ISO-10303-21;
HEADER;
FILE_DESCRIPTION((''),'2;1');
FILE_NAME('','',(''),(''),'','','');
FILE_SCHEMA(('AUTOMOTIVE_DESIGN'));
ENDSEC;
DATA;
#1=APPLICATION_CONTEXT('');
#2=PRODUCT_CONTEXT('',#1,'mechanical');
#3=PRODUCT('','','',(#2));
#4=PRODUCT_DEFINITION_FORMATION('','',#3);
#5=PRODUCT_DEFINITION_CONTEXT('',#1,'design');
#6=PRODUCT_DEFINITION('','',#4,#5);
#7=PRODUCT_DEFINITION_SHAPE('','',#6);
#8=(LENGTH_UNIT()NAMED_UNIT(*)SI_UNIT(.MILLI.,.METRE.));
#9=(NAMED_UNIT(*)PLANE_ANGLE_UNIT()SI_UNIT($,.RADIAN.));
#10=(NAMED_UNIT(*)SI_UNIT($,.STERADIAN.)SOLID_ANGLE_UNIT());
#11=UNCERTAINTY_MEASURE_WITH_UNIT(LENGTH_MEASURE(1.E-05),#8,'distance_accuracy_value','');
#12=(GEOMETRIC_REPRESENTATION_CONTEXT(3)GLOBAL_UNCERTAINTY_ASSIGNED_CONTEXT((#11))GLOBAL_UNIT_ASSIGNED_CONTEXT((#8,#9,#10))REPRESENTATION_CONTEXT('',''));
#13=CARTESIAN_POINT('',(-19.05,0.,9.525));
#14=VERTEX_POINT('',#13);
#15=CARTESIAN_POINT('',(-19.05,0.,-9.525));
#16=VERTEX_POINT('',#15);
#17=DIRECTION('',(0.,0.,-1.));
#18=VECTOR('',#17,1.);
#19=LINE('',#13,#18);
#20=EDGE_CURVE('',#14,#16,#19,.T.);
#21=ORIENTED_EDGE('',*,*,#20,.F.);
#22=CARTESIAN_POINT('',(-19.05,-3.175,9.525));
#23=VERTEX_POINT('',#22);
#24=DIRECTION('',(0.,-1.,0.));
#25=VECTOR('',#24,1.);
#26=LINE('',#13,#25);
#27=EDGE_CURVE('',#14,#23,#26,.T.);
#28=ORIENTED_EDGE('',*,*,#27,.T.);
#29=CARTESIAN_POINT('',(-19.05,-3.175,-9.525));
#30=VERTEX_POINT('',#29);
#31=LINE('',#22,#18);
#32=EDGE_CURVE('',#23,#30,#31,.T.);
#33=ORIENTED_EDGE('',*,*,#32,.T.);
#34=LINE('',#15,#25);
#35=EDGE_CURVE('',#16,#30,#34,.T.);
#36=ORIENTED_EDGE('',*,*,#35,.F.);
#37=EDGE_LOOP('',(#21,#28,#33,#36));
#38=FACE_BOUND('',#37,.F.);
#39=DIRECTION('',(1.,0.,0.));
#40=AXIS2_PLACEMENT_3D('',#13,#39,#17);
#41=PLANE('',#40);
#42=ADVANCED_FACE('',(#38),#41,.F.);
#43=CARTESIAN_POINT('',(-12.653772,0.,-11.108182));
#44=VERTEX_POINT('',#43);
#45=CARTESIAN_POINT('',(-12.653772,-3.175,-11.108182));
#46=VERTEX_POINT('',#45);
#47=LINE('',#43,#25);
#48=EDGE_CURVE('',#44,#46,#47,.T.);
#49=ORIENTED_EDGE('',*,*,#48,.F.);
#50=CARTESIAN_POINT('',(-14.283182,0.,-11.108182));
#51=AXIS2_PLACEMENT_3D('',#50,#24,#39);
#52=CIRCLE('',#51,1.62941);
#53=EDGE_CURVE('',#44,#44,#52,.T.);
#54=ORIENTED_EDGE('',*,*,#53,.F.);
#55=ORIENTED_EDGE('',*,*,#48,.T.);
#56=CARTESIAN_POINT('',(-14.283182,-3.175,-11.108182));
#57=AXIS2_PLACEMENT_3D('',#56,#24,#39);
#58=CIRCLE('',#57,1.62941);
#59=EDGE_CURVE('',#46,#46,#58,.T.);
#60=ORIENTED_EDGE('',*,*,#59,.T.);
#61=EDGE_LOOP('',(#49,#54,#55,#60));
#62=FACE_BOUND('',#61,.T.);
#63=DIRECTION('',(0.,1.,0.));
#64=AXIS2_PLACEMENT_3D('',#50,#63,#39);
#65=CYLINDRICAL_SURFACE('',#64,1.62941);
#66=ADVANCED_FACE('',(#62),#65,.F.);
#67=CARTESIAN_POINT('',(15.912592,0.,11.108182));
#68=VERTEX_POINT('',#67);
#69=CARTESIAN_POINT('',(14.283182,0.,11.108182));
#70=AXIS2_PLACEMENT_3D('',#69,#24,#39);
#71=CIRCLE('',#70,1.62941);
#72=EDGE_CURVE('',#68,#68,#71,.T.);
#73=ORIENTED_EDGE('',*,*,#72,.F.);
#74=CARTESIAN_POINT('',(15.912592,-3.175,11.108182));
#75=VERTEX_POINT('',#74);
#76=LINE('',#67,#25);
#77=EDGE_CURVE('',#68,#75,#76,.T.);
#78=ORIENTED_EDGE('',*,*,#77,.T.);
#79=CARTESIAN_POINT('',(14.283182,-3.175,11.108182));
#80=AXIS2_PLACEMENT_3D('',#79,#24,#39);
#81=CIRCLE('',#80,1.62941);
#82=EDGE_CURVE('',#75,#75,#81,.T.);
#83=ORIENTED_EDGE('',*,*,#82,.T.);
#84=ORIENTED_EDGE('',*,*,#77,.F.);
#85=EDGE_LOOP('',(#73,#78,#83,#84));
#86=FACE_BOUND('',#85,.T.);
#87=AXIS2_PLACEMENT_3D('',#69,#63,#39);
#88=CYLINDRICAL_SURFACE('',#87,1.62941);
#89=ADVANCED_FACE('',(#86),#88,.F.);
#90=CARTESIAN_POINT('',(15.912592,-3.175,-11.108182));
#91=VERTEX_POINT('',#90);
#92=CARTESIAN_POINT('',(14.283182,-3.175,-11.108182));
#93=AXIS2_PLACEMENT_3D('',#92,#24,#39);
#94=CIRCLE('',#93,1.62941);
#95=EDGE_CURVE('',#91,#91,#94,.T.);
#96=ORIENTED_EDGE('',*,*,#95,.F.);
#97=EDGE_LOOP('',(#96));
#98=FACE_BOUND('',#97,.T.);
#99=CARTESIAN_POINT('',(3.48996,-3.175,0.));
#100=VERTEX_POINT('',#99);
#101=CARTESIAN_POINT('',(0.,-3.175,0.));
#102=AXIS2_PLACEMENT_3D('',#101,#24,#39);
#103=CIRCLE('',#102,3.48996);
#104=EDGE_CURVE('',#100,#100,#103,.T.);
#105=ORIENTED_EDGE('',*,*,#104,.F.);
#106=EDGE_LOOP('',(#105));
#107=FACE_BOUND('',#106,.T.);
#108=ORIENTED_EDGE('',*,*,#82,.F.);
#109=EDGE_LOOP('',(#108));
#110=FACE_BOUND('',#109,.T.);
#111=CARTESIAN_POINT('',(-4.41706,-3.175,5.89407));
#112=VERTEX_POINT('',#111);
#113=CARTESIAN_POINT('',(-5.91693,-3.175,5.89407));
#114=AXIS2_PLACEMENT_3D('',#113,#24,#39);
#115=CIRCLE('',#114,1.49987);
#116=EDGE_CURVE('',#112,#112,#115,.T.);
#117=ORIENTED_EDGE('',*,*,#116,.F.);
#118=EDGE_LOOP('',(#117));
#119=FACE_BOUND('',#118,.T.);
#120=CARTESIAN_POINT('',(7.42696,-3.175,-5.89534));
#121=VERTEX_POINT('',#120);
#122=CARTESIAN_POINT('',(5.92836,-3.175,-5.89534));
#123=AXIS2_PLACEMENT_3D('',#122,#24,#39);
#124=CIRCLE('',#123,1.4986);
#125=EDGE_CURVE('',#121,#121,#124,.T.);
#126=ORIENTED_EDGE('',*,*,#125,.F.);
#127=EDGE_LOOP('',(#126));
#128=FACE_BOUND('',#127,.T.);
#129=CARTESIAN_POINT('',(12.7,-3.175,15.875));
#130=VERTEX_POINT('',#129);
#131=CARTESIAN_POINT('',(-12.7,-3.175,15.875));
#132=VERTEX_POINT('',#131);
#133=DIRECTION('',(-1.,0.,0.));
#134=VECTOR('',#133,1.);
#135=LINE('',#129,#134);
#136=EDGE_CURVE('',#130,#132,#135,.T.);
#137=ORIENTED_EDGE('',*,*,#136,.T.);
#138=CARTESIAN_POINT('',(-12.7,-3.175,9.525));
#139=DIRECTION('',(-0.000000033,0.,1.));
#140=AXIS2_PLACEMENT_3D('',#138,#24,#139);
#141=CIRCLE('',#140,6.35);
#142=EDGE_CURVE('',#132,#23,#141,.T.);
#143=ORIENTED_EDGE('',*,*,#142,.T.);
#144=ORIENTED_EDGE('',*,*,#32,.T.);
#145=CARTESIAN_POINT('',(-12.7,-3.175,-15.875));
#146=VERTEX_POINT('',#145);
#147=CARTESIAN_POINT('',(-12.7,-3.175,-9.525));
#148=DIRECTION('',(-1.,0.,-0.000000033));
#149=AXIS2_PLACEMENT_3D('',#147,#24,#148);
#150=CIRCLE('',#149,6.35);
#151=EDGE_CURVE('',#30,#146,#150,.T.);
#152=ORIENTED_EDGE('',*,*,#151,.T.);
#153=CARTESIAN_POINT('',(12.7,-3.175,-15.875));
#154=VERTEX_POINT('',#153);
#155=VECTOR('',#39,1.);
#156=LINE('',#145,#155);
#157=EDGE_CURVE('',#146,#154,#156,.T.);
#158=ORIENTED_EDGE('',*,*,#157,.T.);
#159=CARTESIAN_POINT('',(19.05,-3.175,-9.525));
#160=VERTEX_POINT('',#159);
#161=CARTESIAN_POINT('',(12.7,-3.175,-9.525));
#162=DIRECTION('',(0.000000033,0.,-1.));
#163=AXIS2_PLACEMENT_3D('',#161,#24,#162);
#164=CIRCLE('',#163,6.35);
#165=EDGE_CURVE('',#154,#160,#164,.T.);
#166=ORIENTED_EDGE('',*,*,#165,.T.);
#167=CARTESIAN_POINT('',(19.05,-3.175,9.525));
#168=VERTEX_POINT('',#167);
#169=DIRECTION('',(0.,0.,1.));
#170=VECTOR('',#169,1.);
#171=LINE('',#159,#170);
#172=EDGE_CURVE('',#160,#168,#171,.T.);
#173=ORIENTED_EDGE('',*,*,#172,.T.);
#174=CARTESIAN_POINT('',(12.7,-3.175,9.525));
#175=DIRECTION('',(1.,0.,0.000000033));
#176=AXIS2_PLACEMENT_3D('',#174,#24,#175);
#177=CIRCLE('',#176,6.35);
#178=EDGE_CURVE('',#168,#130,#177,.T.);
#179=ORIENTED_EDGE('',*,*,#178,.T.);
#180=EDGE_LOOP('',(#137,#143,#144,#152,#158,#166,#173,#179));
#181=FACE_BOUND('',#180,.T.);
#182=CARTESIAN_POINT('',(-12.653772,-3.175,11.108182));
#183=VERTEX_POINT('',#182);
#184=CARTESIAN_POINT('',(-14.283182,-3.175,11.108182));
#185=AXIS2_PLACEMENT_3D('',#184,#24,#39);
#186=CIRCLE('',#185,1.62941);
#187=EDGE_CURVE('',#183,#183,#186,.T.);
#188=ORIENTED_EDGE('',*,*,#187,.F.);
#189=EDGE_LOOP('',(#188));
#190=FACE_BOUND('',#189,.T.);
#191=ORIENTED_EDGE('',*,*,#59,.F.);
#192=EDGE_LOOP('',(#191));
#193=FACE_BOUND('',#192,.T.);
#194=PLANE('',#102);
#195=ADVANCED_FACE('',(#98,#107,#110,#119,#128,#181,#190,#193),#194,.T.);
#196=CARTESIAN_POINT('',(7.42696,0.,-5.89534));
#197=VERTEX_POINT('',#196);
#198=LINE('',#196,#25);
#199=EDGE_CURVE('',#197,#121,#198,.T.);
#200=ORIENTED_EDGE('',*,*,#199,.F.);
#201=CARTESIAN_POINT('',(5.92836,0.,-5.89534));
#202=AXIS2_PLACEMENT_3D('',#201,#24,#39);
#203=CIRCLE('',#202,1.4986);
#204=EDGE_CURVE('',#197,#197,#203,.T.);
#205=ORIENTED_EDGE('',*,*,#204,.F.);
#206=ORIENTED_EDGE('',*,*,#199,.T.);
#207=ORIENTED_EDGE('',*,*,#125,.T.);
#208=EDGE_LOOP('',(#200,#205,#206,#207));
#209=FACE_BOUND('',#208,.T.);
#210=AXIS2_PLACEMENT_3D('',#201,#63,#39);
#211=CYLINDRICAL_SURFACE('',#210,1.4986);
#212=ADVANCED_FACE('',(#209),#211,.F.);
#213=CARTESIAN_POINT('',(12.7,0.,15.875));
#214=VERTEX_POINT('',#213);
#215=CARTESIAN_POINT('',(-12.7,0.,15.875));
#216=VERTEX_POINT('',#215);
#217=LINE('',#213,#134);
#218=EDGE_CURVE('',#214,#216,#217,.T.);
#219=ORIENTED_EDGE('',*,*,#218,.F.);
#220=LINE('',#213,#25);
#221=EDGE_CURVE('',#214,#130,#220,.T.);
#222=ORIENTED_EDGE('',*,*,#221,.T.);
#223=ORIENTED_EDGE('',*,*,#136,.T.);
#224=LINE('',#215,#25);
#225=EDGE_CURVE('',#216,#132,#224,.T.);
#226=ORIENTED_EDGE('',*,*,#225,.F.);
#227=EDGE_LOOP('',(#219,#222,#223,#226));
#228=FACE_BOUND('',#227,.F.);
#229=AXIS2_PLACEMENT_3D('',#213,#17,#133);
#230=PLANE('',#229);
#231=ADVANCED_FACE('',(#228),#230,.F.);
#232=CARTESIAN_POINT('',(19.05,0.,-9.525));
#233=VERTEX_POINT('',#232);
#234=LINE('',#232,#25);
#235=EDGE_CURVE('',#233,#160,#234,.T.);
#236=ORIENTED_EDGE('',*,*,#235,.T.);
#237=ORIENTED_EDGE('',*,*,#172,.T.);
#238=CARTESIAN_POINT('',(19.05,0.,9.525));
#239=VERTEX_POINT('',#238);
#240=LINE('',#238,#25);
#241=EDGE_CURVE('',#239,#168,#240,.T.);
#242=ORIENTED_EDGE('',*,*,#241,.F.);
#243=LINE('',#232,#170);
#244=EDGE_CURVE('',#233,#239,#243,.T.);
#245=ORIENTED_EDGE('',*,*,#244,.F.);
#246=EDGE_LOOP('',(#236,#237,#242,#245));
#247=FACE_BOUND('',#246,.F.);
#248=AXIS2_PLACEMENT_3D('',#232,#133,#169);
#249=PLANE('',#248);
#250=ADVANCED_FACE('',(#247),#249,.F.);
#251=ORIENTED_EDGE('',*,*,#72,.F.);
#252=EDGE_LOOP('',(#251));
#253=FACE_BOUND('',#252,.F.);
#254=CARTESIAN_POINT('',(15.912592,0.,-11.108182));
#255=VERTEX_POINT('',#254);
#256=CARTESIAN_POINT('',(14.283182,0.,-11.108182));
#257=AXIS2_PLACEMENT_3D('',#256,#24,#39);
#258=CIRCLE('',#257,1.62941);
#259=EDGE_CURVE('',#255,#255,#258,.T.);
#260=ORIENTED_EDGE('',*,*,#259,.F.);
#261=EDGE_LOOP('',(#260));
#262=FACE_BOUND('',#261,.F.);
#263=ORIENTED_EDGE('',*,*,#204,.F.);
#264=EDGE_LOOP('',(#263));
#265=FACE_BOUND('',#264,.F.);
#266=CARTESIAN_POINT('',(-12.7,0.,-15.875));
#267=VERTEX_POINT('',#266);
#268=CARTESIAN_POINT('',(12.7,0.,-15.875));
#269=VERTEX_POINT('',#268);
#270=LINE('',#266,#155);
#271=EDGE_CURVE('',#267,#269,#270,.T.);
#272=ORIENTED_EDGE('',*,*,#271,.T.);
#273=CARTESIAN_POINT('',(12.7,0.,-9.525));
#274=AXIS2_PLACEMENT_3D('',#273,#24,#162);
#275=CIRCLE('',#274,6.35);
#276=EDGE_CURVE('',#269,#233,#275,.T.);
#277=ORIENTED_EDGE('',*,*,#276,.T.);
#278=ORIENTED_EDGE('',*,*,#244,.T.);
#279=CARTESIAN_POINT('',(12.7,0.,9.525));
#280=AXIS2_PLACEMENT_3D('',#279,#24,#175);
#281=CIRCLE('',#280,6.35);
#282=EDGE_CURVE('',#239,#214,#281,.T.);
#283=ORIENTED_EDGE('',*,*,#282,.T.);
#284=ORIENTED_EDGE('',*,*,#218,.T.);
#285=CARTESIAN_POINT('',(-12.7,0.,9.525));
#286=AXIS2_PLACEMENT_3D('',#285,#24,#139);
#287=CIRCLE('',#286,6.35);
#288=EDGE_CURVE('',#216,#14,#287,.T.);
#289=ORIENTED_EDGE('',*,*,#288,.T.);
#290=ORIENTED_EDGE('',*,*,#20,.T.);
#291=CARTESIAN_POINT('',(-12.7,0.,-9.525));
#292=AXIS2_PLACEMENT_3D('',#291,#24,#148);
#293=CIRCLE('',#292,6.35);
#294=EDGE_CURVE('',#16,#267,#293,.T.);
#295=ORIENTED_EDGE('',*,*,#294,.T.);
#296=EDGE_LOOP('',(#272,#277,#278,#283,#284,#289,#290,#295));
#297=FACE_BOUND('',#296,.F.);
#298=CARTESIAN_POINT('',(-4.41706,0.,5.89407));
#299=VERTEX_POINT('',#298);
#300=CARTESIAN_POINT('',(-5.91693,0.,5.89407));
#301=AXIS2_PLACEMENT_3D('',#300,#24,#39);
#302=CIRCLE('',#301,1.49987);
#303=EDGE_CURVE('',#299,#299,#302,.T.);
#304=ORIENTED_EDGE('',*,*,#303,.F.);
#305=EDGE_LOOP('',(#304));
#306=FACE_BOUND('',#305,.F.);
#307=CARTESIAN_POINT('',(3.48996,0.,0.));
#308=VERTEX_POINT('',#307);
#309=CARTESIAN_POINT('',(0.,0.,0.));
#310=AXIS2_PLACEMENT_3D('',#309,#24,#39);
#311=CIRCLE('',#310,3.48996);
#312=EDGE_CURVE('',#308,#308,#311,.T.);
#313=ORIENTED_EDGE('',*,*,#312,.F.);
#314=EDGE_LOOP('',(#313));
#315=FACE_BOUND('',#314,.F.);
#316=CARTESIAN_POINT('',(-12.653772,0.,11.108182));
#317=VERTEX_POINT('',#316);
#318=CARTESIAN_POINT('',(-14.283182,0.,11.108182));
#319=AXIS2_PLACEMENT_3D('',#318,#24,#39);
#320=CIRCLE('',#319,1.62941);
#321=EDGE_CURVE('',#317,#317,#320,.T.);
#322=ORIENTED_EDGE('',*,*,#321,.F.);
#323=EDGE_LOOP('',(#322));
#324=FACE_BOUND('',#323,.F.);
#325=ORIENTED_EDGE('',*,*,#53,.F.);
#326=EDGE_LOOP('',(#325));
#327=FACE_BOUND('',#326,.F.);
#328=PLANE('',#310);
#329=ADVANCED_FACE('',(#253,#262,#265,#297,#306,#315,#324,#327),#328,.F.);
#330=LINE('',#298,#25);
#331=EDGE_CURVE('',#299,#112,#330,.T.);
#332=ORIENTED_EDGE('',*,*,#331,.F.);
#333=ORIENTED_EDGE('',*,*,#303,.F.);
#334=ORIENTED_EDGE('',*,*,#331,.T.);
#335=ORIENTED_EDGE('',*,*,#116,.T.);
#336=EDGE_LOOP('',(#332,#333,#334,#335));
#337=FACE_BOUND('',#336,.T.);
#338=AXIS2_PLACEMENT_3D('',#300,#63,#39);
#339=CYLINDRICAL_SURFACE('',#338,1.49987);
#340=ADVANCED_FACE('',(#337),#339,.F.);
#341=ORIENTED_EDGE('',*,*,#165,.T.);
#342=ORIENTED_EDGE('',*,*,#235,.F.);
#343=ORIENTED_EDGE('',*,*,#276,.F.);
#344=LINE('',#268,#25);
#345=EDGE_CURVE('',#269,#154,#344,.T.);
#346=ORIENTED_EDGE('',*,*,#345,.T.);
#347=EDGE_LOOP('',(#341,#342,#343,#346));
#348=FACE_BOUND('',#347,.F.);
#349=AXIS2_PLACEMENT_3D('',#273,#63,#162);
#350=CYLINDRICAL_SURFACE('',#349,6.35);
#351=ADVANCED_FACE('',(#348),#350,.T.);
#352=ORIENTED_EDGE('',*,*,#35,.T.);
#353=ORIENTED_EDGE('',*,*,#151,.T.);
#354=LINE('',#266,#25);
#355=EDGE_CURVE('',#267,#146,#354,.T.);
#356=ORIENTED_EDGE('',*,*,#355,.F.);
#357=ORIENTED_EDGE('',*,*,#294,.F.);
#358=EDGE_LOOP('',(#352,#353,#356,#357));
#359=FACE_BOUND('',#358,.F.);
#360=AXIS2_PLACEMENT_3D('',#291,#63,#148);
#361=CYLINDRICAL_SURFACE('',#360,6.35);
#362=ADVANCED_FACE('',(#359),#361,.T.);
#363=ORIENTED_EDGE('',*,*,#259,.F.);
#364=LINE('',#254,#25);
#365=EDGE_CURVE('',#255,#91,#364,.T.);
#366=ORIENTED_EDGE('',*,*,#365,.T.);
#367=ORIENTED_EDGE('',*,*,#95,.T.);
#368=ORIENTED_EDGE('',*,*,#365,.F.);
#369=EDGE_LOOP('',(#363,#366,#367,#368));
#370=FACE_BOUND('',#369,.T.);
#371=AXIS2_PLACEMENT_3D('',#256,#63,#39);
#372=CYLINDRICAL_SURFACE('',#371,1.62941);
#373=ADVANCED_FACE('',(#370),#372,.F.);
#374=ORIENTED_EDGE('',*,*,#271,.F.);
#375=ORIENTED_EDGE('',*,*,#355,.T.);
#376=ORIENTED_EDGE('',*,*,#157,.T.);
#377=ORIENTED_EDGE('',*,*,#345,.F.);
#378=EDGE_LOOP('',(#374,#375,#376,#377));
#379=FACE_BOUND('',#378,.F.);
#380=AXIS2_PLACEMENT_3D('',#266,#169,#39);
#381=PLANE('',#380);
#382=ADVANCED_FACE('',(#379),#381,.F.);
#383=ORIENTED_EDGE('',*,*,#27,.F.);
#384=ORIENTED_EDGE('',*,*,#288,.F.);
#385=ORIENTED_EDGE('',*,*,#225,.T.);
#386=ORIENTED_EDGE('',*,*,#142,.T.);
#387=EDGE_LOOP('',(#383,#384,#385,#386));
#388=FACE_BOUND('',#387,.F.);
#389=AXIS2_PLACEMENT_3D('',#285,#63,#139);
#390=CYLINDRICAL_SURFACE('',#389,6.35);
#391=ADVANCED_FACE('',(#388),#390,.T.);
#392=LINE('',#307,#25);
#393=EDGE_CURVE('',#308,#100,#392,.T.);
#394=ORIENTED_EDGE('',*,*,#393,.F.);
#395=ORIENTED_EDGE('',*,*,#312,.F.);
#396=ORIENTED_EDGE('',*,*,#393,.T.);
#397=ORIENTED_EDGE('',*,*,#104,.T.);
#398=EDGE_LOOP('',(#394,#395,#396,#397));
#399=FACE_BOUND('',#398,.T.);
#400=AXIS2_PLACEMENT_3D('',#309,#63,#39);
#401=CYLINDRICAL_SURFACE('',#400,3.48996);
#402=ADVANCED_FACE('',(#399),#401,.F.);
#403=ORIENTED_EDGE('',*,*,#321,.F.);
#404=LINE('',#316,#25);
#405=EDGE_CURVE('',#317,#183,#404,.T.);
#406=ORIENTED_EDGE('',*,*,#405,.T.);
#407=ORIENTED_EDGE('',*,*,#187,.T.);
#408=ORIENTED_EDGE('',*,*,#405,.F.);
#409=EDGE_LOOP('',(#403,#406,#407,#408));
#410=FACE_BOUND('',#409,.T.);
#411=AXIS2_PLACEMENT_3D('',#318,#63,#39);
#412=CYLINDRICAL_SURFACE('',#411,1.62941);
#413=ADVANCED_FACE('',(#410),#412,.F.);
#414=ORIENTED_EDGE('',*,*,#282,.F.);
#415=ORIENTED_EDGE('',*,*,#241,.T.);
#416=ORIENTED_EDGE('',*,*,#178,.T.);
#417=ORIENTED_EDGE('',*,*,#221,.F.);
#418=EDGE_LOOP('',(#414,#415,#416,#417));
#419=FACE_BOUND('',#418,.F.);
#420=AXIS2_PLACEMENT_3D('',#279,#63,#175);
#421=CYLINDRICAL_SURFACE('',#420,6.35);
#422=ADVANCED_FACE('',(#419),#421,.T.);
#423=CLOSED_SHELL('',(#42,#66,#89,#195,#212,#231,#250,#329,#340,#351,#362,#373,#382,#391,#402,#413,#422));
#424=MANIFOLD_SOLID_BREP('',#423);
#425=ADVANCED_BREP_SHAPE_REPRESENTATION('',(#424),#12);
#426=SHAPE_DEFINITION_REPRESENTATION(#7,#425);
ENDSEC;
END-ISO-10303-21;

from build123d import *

# Parameters (mm, degrees)
F0_R     = 1.62941
F0_R_2   = 1.4986
F0_R_3   = 1.49987
F0_R_4   = 3.48996
F1_DEPTH = 3.175


with BuildPart() as f1:
    # F0 (on Front) → F1 (new body)
    with BuildSketch(Plane.XZ):
        with BuildLine():
            ThreePointArc((19.05, 9.525), (17.190128, 14.015128), (12.7, 15.875))
            Line((12.7, 15.875), (-12.7, 15.875))
            ThreePointArc((-12.7, 15.875), (-17.190128, 14.015128), (-19.05, 9.525))
            Line((-19.05, 9.525), (-19.05, -9.525))
            ThreePointArc((-19.05, -9.525), (-17.190128, -14.015128), (-12.7, -15.875))
            Line((-12.7, -15.875), (12.7, -15.875))
            ThreePointArc((12.7, -15.875), (17.190128, -14.015128), (19.05, -9.525))
            Line((19.05, -9.525), (19.05, 9.525))
        make_face()
        with Locations((-14.283182, -11.108182)):
            Circle(F0_R, mode=Mode.SUBTRACT)
        with Locations((14.283182, -11.108182)):
            Circle(F0_R, mode=Mode.SUBTRACT)
        with Locations((5.92836, -5.89534)):
            Circle(F0_R_2, mode=Mode.SUBTRACT)
        with Locations((-5.91693, 5.89407)):
            Circle(F0_R_3, mode=Mode.SUBTRACT)
        with Locations((-14.283182, 11.108182)):
            Circle(F0_R, mode=Mode.SUBTRACT)
        Circle(F0_R_4, mode=Mode.SUBTRACT)
        with Locations((14.283182, 11.108182)):
            Circle(F0_R, mode=Mode.SUBTRACT)
    extrude(amount=F1_DEPTH)


solid = f1.part
